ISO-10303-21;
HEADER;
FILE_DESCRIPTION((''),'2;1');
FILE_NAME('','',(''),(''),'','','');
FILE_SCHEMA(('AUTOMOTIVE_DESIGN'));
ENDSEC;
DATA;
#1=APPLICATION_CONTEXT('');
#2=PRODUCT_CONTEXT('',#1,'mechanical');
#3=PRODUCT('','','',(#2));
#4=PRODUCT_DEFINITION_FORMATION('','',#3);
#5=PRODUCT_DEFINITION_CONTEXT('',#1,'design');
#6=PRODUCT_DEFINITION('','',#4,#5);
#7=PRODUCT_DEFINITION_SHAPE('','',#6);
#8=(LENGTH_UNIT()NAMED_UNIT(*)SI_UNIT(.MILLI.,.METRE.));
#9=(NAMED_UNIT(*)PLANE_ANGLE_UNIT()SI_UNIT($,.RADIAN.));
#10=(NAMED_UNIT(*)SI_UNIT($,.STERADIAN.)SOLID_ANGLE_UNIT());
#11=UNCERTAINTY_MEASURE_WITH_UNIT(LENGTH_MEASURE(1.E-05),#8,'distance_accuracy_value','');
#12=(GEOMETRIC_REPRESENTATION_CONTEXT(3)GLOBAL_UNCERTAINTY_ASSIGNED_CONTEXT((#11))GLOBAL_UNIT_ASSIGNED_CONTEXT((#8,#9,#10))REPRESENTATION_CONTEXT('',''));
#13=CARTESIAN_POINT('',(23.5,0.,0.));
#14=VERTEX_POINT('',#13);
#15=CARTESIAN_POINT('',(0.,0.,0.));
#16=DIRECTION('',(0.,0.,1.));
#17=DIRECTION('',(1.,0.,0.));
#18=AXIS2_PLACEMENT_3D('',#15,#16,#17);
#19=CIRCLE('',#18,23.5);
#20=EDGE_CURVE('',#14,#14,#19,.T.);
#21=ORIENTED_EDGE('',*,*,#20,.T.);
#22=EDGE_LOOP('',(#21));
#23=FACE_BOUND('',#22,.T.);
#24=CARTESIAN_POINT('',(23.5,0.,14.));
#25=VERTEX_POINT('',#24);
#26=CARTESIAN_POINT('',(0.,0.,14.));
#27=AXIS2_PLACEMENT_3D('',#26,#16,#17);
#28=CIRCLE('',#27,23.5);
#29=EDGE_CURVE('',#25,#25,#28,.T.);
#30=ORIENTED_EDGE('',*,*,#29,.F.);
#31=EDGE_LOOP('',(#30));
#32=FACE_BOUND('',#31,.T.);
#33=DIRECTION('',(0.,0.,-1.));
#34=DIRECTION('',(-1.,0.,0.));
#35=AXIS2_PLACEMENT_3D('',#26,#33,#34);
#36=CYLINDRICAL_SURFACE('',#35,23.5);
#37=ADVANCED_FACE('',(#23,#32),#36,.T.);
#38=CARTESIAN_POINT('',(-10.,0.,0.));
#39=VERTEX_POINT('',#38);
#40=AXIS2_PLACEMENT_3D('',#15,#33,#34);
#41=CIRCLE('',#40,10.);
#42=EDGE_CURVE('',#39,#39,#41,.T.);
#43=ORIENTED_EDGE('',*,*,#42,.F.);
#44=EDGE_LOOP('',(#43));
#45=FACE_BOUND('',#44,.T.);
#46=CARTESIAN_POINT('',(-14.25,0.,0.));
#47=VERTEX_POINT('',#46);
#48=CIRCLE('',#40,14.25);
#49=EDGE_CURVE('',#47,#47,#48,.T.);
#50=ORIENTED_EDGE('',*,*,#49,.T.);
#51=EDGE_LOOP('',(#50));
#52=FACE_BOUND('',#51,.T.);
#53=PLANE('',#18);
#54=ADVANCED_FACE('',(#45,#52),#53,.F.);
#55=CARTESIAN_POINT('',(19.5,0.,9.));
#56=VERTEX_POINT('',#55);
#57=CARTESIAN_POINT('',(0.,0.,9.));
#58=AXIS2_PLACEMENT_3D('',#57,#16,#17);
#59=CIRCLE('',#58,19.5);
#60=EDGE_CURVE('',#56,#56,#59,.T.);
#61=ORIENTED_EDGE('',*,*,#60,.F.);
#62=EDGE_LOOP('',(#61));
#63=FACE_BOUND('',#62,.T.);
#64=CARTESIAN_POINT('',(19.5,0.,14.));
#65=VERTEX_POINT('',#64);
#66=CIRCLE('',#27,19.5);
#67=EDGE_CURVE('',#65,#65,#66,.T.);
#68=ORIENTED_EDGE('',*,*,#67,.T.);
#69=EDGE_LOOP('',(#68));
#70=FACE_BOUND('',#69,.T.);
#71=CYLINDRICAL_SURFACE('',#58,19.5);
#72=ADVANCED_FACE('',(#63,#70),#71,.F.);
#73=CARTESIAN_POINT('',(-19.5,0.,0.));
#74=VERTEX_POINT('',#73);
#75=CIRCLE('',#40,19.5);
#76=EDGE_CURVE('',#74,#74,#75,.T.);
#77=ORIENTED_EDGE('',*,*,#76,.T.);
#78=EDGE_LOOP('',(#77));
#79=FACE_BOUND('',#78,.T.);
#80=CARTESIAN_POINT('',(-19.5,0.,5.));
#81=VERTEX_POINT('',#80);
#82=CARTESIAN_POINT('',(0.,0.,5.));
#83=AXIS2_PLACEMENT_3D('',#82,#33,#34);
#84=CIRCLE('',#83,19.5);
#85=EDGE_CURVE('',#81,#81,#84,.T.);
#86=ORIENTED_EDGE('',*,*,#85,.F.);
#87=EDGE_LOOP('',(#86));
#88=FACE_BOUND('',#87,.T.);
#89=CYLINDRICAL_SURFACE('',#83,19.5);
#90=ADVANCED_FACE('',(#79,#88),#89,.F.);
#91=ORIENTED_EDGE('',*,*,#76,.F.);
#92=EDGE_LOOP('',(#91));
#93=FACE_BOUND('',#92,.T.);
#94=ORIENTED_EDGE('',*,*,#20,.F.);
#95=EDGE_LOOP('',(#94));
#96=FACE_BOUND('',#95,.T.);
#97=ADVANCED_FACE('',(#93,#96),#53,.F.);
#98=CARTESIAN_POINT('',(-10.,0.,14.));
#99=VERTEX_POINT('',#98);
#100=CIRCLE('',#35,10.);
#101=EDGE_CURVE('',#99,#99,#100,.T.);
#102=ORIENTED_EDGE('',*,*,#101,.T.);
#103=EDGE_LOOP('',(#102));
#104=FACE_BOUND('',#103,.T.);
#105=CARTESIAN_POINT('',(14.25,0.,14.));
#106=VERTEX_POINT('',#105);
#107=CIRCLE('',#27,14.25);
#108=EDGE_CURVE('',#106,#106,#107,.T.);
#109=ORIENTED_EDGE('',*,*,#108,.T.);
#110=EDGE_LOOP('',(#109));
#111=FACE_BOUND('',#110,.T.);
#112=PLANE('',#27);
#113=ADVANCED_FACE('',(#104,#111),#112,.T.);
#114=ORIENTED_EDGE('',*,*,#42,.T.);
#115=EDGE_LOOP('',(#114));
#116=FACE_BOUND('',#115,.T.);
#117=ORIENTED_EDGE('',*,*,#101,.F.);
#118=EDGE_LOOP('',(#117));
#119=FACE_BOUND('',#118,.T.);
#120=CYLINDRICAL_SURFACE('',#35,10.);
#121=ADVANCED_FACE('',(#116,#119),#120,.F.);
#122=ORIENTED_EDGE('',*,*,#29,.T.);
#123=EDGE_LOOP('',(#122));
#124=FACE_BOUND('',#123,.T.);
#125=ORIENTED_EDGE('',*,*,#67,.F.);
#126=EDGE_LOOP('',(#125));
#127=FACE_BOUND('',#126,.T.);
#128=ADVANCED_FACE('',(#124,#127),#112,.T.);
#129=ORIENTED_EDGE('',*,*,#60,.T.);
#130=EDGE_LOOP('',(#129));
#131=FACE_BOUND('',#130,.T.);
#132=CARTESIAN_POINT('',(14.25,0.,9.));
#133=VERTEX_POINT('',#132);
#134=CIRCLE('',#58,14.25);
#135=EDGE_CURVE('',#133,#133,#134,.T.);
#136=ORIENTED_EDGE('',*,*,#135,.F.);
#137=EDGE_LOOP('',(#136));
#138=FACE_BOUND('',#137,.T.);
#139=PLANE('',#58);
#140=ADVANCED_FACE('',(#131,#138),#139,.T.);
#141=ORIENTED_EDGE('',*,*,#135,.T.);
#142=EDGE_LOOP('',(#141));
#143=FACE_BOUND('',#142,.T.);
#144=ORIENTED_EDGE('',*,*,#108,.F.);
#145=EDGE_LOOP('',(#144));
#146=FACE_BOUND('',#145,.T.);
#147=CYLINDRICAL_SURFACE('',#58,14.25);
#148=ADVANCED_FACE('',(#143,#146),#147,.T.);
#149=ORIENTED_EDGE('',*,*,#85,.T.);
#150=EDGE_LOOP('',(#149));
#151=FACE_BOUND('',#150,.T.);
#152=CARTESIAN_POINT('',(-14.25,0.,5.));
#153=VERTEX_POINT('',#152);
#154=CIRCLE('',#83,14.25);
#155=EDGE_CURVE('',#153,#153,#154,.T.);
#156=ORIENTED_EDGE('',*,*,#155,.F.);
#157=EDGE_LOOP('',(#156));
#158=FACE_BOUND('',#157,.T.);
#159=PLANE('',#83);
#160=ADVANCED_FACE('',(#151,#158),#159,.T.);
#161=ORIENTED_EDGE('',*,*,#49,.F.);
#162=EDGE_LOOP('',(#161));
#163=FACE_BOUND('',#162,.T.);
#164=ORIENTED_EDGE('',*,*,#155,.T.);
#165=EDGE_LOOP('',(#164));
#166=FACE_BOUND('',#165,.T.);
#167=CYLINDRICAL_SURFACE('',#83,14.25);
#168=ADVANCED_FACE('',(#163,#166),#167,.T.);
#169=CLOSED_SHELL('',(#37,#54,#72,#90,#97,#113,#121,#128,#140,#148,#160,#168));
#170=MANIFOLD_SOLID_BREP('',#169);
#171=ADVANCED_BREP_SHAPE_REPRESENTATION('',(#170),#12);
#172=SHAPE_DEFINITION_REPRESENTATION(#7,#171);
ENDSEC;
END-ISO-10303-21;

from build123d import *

# Parameters (mm, degrees)
SKETCH1_R      = 23.5
EXTRUDE1_DEPTH = 14
SKETCH2_R      = 19.5
SKETCH2_R_2    = 14.25
EXTRUDE2_DEPTH = 5
SKETCH3_R      = 19.5
SKETCH3_R_2    = 14.25
EXTRUDE3_DEPTH = 5
SKETCH4_R      = 10
EXTRUDE4_DEPTH = 15


with BuildPart() as part:
    # Sketch1 → Extrude1 (new body)
    with BuildSketch(Plane.XY):
        Circle(SKETCH1_R)
    extrude(amount=EXTRUDE1_DEPTH)

    # Sketch2 → Extrude2 (cut)
    with BuildSketch(Plane.XY.offset(14)):
        Circle(SKETCH2_R)
        Circle(SKETCH2_R_2, mode=Mode.SUBTRACT)
    extrude(amount=-EXTRUDE2_DEPTH, mode=Mode.SUBTRACT)

    # Sketch3 → Extrude3 (cut)
    with BuildSketch(Plane(origin=(0, 0, 0), x_dir=(-1, 0, 0), z_dir=(0, 0, -1))):
        Circle(SKETCH3_R)
        Circle(SKETCH3_R_2, mode=Mode.SUBTRACT)
    extrude(amount=-EXTRUDE3_DEPTH, mode=Mode.SUBTRACT)

    # Sketch4 → Extrude4 (cut, through all)
    with BuildSketch(Plane(origin=(0, 0, 0), x_dir=(-1, 0, 0), z_dir=(0, 0, -1))):
        Circle(SKETCH4_R)
    extrude(amount=-EXTRUDE4_DEPTH, mode=Mode.SUBTRACT)


solid = part.part
